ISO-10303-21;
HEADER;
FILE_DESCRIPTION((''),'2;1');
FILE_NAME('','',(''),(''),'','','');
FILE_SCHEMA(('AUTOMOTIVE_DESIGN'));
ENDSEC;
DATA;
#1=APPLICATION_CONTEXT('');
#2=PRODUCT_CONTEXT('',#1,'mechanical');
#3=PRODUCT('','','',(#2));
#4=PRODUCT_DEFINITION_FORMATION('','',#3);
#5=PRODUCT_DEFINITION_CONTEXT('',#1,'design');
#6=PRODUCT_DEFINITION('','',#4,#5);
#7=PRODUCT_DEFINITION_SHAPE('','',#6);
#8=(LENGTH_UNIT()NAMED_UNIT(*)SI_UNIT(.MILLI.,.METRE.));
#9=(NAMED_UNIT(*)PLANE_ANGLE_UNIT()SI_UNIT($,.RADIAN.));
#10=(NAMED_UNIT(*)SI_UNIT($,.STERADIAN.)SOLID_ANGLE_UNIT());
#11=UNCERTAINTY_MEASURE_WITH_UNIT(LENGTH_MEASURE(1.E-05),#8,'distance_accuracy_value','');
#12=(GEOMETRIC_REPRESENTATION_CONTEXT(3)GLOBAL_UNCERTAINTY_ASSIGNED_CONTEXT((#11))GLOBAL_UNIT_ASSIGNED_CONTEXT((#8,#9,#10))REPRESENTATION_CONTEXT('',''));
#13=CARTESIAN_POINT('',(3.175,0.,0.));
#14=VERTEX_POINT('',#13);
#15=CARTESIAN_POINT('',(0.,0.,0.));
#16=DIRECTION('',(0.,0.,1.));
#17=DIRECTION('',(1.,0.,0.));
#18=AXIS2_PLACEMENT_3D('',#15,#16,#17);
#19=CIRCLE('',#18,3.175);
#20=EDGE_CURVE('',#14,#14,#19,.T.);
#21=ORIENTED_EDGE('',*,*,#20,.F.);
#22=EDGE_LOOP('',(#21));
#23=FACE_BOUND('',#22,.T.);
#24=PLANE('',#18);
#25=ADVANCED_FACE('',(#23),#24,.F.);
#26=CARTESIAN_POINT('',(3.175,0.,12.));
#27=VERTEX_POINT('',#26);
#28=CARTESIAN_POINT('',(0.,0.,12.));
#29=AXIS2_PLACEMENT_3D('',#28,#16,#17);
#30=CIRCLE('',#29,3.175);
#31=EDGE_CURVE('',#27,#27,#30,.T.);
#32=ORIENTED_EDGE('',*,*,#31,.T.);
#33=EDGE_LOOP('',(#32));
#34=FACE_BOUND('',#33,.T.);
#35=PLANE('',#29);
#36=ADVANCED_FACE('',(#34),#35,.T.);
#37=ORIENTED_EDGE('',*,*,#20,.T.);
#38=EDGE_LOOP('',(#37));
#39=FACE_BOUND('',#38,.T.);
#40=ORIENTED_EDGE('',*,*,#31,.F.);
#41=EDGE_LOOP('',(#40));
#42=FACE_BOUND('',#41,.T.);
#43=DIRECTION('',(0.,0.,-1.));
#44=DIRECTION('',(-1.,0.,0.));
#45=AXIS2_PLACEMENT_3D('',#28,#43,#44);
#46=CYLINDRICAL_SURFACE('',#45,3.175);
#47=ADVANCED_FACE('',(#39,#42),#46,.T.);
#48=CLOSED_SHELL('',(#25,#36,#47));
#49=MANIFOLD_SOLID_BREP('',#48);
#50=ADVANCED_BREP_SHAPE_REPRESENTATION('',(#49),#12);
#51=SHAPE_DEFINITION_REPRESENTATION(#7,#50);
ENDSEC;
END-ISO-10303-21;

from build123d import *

# Parameters (mm, degrees)
SKETCH_1_R      = 3.175
EXTRUDE_1_DEPTH = 12


with BuildPart() as part:
    # 草图1 → 凸台-拉伸1 (new body)
    with BuildSketch(Plane.XY):
        Circle(SKETCH_1_R)
    extrude(amount=EXTRUDE_1_DEPTH)


solid = part.part
